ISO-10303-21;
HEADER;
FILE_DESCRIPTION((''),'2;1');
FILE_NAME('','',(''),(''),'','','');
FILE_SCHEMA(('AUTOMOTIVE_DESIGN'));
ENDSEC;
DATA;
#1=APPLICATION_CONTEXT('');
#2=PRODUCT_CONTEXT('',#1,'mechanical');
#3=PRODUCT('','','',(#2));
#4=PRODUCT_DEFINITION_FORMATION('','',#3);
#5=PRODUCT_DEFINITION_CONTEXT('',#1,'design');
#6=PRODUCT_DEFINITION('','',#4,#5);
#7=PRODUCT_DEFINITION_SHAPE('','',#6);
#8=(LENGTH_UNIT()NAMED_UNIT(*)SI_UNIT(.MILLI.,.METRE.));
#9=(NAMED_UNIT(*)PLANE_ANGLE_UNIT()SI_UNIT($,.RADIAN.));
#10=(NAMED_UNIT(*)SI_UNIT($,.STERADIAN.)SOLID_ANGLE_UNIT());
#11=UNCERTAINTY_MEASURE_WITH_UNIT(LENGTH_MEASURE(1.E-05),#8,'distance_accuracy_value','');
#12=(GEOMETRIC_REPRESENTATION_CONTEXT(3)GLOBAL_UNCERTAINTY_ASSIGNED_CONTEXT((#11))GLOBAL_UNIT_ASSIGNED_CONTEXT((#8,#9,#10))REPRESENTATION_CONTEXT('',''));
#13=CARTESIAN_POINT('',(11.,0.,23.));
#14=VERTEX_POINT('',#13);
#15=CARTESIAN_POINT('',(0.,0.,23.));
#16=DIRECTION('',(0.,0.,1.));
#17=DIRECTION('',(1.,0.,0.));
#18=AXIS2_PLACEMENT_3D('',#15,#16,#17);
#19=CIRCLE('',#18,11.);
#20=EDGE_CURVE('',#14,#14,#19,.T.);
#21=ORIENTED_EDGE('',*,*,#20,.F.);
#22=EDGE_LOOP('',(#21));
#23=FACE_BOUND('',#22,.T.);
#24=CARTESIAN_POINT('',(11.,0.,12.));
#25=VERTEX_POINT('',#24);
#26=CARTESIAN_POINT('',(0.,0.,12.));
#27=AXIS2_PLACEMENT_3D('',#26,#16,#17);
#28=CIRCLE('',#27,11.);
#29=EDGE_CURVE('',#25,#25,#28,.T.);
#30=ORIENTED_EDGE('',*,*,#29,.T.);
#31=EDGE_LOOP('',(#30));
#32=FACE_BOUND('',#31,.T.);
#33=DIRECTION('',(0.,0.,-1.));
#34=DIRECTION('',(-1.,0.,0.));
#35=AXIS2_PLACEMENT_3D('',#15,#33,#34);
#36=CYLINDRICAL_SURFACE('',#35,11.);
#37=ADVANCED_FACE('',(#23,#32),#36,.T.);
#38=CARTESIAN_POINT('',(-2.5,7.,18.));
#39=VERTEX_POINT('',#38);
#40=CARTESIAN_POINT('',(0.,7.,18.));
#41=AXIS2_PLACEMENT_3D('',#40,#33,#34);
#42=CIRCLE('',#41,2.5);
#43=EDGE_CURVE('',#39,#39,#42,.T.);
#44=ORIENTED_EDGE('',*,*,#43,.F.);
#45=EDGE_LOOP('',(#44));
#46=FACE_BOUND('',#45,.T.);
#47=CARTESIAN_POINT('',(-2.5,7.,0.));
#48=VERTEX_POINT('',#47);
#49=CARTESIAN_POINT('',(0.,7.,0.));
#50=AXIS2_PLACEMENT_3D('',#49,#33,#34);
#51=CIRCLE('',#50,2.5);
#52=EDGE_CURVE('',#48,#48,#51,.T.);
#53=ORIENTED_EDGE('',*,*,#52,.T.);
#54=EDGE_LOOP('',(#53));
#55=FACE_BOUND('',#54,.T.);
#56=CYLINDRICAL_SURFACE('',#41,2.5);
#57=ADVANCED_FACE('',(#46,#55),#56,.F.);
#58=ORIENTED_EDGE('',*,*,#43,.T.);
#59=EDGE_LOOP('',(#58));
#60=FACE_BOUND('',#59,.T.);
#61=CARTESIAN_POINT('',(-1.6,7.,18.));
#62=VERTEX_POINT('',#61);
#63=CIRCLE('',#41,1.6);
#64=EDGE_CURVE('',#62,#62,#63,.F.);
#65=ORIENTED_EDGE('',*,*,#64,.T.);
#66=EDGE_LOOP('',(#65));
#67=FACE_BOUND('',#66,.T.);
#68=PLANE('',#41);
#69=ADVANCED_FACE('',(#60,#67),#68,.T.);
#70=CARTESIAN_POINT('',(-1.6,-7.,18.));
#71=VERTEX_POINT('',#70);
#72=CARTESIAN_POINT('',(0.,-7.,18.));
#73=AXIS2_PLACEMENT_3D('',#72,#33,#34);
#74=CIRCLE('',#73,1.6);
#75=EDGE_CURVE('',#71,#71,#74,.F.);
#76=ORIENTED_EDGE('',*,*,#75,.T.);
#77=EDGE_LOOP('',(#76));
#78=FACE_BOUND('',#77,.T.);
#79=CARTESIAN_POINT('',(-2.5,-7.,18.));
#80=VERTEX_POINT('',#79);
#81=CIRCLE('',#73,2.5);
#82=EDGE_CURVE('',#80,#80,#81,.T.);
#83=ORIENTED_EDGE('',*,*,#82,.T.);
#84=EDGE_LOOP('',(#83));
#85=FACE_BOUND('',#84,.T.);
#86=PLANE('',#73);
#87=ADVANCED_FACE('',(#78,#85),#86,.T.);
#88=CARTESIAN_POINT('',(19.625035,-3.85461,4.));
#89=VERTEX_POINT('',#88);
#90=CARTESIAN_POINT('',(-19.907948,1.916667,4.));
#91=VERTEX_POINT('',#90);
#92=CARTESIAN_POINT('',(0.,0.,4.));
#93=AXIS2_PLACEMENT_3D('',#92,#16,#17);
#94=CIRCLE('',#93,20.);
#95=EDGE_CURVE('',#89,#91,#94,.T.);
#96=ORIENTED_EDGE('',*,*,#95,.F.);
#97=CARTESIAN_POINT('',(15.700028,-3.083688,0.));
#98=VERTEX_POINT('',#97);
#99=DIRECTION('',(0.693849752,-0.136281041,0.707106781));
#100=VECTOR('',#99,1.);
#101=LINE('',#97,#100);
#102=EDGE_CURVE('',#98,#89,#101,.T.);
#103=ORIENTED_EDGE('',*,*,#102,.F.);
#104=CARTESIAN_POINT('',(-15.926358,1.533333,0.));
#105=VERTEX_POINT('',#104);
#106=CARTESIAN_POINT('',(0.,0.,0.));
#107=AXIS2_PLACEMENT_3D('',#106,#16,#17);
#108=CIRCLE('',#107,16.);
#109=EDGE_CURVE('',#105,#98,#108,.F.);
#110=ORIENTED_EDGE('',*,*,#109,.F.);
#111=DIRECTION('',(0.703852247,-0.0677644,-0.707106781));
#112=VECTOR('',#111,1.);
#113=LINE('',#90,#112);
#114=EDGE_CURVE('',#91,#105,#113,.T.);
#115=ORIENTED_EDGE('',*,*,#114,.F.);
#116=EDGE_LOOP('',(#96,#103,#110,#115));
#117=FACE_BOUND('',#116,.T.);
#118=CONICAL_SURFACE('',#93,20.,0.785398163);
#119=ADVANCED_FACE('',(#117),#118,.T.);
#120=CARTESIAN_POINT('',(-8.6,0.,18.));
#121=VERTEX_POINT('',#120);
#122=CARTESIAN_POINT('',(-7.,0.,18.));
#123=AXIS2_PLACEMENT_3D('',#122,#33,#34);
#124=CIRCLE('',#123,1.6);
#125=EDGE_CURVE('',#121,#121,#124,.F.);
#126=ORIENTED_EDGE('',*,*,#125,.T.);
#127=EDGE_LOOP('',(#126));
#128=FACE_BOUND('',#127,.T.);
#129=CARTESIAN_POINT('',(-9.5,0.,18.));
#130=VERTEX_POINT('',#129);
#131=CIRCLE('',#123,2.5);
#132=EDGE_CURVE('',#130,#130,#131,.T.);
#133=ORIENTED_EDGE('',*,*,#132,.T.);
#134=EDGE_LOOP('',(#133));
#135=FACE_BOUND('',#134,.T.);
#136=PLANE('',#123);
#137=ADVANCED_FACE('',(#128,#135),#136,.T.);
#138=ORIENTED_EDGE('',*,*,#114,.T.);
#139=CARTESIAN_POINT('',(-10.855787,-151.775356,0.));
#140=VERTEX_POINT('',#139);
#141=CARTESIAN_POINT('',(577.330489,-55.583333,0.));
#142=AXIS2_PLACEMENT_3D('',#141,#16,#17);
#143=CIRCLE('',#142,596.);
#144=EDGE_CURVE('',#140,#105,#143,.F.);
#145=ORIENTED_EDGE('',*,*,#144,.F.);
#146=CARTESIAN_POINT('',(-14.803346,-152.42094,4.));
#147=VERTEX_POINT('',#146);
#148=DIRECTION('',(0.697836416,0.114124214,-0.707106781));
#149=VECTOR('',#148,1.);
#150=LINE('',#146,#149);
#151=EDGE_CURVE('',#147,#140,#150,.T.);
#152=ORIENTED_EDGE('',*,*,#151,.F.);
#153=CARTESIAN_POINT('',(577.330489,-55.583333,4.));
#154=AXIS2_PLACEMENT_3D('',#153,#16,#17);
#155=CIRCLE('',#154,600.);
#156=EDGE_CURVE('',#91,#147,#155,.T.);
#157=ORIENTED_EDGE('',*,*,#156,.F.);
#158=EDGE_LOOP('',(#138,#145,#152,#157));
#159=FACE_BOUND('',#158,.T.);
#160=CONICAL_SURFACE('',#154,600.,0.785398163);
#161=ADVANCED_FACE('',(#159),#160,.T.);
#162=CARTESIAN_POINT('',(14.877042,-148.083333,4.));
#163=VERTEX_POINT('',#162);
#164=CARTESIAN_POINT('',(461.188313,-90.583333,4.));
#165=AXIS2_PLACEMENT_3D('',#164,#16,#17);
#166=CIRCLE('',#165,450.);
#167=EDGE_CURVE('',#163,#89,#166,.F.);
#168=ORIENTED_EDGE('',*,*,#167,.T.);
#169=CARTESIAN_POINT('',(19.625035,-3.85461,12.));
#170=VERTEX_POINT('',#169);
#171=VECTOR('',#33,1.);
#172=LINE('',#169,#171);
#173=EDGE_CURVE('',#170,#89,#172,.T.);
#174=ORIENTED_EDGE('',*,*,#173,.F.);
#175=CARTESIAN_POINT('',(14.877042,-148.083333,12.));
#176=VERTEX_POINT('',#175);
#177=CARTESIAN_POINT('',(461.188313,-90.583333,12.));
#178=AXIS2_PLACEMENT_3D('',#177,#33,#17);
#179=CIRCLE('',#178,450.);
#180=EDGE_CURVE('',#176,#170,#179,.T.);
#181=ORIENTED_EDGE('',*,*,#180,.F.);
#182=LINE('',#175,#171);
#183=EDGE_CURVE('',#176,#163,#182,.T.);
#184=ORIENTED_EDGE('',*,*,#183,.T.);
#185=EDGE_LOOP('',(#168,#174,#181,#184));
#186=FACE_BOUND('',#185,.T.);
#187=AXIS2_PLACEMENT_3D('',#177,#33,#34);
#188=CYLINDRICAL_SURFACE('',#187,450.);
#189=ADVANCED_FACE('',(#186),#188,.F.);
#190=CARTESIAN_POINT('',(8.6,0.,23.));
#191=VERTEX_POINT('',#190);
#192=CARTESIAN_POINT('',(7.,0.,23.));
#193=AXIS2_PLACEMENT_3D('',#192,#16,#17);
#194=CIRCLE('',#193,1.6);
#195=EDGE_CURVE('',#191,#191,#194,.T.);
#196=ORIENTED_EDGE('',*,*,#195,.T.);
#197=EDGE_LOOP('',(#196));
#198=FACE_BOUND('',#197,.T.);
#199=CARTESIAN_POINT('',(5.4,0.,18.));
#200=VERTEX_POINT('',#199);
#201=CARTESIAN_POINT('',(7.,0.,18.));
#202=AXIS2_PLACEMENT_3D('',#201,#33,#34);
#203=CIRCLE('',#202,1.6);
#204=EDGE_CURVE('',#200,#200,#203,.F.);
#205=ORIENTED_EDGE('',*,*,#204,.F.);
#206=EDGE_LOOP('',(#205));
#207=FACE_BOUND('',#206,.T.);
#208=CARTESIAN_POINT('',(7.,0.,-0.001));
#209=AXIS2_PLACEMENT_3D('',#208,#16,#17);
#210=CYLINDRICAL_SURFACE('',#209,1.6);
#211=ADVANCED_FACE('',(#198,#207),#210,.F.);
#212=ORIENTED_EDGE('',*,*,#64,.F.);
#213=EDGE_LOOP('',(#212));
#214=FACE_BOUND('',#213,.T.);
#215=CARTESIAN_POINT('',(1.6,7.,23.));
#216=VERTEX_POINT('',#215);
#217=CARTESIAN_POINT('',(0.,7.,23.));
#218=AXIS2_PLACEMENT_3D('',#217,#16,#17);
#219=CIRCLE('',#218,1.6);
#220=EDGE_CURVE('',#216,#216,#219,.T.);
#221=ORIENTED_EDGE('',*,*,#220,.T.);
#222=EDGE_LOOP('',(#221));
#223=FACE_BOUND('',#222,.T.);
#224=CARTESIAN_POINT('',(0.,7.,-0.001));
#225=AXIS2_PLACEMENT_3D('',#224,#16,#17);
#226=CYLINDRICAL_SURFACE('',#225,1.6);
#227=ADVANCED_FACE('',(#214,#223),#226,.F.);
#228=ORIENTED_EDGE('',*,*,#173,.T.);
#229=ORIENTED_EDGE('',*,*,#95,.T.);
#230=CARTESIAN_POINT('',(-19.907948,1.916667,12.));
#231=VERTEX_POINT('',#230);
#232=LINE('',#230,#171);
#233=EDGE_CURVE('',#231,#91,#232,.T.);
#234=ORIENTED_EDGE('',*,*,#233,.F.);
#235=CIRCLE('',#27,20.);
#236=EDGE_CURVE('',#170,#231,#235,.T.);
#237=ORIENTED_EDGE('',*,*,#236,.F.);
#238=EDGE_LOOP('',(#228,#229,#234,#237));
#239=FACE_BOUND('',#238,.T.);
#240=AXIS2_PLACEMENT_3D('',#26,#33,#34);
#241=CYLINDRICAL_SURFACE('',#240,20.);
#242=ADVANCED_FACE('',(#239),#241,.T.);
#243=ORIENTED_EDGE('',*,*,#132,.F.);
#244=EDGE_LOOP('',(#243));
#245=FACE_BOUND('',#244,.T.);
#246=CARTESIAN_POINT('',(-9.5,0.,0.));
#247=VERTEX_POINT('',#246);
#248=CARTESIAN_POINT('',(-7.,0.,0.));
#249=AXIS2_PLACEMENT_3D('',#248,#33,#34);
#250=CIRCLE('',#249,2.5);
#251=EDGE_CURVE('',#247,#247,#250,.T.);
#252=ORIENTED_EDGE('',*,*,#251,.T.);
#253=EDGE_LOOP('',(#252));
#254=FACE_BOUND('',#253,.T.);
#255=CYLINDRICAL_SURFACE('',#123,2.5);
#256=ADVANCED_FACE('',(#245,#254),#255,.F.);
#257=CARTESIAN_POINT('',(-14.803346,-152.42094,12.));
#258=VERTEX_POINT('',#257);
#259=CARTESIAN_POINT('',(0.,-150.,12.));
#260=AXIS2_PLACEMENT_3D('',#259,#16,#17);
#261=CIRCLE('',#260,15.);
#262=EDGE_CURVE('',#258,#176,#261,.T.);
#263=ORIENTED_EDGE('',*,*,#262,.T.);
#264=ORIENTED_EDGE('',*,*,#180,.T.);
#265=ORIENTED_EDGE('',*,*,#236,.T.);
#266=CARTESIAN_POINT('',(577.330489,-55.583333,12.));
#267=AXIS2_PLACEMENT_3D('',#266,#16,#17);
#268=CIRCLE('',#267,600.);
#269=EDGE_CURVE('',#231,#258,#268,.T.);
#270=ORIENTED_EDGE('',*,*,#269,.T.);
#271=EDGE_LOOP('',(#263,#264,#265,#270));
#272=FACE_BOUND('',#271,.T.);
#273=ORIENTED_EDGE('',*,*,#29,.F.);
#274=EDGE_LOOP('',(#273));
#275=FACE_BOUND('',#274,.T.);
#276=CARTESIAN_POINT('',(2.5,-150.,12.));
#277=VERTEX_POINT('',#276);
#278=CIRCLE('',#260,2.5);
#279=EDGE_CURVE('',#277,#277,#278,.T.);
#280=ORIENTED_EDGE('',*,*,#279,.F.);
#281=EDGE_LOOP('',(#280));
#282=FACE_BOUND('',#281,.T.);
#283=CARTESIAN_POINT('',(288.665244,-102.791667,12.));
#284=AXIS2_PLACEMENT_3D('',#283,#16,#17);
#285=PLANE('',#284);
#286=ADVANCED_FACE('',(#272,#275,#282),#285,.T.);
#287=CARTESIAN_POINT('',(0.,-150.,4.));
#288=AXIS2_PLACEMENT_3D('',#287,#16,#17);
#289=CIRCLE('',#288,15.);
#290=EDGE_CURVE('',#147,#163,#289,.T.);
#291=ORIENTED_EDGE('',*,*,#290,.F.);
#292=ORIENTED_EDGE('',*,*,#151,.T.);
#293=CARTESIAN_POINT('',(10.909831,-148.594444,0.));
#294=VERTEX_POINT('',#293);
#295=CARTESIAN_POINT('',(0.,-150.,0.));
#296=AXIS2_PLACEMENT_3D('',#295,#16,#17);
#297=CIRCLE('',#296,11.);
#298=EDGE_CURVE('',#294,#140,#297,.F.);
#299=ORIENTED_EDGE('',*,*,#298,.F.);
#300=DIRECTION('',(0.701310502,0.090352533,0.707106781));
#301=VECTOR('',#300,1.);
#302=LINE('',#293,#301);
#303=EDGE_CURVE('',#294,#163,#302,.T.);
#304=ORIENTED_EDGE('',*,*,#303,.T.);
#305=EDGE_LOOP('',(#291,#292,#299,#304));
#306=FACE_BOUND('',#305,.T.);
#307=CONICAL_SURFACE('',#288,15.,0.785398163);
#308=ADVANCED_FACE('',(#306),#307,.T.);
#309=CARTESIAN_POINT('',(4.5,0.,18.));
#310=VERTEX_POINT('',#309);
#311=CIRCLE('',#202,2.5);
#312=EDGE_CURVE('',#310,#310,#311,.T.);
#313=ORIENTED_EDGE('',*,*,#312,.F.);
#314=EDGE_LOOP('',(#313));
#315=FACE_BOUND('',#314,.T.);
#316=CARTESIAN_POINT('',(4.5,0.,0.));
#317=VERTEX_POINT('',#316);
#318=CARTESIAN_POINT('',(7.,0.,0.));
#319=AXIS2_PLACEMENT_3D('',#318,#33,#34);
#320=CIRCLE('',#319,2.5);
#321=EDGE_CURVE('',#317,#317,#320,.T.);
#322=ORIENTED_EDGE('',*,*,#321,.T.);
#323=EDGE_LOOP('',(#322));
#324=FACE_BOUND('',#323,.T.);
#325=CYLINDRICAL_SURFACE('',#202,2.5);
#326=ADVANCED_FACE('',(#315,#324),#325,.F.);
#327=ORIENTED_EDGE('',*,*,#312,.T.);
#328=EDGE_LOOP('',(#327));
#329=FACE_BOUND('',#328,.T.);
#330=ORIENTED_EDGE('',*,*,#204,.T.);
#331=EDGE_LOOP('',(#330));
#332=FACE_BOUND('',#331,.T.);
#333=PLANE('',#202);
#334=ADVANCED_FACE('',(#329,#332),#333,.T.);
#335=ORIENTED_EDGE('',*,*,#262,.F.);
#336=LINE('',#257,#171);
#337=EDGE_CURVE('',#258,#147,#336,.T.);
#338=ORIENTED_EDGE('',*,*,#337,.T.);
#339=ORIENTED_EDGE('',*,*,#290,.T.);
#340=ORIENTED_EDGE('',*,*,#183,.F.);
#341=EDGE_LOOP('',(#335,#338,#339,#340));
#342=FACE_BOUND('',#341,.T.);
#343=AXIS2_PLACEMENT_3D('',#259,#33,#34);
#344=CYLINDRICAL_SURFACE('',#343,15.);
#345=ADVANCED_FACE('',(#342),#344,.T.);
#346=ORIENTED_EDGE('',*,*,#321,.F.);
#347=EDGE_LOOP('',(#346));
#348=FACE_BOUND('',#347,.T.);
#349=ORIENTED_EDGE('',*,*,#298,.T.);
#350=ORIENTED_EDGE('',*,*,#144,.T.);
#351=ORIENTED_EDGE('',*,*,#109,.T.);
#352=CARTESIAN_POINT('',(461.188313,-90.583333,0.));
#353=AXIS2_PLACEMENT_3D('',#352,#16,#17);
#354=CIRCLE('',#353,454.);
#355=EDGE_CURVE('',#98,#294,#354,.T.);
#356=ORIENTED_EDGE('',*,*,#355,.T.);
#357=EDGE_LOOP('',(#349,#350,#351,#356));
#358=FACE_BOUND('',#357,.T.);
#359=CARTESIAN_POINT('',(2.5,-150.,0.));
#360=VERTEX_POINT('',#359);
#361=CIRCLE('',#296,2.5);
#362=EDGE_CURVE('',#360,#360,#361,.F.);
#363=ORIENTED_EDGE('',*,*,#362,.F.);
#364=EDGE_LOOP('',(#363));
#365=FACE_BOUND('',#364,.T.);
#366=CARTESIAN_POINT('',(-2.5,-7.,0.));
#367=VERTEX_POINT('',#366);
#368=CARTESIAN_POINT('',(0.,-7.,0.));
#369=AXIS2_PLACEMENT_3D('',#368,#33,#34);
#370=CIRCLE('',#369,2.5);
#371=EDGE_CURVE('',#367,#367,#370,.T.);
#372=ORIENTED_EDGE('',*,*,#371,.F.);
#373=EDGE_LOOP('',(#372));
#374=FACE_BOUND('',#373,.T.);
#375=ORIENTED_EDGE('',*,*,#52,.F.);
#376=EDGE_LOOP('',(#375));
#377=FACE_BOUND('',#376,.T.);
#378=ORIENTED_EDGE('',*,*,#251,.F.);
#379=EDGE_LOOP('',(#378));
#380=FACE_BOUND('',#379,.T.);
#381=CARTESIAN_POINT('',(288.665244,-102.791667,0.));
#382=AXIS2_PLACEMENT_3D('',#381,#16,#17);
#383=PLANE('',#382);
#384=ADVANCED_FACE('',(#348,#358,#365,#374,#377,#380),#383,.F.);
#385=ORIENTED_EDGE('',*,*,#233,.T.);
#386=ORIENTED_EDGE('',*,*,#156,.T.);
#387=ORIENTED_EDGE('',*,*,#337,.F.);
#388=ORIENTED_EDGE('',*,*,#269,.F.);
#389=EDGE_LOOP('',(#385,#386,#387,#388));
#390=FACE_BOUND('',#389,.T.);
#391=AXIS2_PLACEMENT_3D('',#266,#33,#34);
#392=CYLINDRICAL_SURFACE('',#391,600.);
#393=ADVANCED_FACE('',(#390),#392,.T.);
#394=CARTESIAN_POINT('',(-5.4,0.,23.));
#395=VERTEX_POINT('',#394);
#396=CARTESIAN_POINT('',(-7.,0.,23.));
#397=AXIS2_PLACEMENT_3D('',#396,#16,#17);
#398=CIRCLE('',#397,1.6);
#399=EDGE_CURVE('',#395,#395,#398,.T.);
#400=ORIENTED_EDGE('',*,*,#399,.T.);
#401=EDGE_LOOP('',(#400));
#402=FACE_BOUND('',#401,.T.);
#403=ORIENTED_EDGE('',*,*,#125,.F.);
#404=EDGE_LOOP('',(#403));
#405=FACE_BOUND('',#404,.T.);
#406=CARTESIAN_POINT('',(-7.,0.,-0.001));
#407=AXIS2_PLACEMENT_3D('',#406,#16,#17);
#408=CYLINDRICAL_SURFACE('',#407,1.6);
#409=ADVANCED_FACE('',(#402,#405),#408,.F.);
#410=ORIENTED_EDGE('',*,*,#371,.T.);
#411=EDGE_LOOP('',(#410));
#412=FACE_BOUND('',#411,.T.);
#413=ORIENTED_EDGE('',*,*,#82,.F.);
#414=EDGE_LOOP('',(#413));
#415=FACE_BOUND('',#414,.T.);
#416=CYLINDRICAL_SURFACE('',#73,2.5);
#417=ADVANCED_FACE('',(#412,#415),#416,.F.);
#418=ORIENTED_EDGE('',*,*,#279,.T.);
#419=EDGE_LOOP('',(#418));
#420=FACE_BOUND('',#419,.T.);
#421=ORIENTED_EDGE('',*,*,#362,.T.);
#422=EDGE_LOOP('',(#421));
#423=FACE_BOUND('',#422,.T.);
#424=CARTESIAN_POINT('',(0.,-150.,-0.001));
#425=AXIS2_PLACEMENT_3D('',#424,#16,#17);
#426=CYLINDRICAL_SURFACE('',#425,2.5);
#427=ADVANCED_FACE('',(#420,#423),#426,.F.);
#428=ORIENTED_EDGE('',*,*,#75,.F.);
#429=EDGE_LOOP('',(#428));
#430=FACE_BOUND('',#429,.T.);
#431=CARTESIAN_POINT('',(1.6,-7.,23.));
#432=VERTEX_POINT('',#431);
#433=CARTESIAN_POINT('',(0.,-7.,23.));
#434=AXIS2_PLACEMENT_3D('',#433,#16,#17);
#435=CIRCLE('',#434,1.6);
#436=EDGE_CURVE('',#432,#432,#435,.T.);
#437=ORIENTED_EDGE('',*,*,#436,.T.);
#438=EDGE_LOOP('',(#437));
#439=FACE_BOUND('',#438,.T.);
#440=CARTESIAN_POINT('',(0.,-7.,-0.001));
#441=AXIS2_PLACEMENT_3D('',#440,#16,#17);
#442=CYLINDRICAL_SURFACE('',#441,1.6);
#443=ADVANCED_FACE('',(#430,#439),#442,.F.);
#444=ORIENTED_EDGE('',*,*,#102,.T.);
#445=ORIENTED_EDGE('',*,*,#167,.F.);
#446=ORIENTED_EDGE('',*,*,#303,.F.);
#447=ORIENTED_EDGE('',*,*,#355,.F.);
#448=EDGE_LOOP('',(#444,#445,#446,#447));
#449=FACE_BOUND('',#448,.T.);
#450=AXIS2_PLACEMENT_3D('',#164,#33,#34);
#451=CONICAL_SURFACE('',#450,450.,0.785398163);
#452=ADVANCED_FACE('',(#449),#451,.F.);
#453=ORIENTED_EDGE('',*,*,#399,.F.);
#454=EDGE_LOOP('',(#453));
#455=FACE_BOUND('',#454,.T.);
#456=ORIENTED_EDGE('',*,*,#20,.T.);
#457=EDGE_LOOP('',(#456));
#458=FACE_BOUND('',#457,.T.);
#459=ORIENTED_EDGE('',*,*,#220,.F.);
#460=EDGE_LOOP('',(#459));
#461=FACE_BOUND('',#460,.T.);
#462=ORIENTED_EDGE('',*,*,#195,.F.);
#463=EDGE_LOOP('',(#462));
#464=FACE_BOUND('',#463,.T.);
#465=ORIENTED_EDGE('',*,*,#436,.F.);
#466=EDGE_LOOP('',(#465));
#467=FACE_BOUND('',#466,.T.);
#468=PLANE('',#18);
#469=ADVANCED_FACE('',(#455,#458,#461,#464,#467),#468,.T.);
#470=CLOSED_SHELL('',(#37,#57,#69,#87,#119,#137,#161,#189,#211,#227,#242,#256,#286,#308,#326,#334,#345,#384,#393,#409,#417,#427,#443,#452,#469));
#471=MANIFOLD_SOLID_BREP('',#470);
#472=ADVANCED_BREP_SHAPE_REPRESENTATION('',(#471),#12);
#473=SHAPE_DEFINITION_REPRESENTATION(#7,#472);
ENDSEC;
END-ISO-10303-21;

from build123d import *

# Parameters (mm, degrees)
BOSS_EXTRUDE1_DEPTH = 12
CHAMFER1_SIZE       = 4
CUT_EXTRUDE1_REACH  = 168.982
SKETCH2_R           = 1.6
CUT_EXTRUDE2_REACH  = 168.982
SKETCH3_R           = 2.5
BOSS_EXTRUDE2_START = 11
SKETCH4_R           = 11
SKETCH4_R_2         = 1.6
BOSS_EXTRUDE2_DEPTH = 11
SKETCH5_R           = 2.5
CUT_EXTRUDE3_DEPTH  = 18


with BuildPart() as part:
    # Sketch1 → Boss-Extrude1 (new body)
    with BuildSketch(Plane.XY):
        with BuildLine():
            ThreePointArc((-14.803345861, -152.420940171), (2.169116424, -164.842335865), (14.877042343, -148.083333333))
            ThreePointArc((14.877042343, -148.083333333), (11.431951297, -75.777407981), (19.625034581, -3.854609929))
            ThreePointArc((19.625034581, -3.854609929), (2.889103385, 19.790226922), (-19.907947882, 1.916666667))
            ThreePointArc((-19.907947882, 1.916666667), (-22.341608419, -75.417043737), (-14.803345861, -152.420940171))
        make_face()
    extrude(amount=BOSS_EXTRUDE1_DEPTH)

    # Chamfer1
    chamfer1_edges = [part.edges().sort_by_distance(p)[0] for p in [
        (2.889103385, 19.790226922, 0),
        (11.431951297, -75.777407981, 0),
        (2.169116424, -164.842335865, 0),
        (-22.341608419, -75.417043737, 0),
    ]]
    chamfer(chamfer1_edges, length=CHAMFER1_SIZE)

    # Sketch2 → Cut-Extrude1 (cut, up to next)
    with BuildSketch(Plane.XY.offset(12), mode=Mode.PRIVATE) as cut_extrude1_sk1:
        with Locations((0, 7)):
            Circle(SKETCH2_R)
    cut_extrude1_tool1 = extrude(cut_extrude1_sk1.sketch, amount=-CUT_EXTRUDE1_REACH, mode=Mode.PRIVATE) & part.part
    # Sketch2 → Cut-Extrude1 (cut, up to next)
    with BuildSketch(Plane.XY.offset(12), mode=Mode.PRIVATE) as cut_extrude1_sk2:
        with Locations((7, 0)):
            Circle(SKETCH2_R)
    cut_extrude1_tool2 = extrude(cut_extrude1_sk2.sketch, amount=-CUT_EXTRUDE1_REACH, mode=Mode.PRIVATE) & part.part
    # Sketch2 → Cut-Extrude1 (cut, up to next)
    with BuildSketch(Plane.XY.offset(12), mode=Mode.PRIVATE) as cut_extrude1_sk3:
        with Locations((0, -7)):
            Circle(SKETCH2_R)
    cut_extrude1_tool3 = extrude(cut_extrude1_sk3.sketch, amount=-CUT_EXTRUDE1_REACH, mode=Mode.PRIVATE) & part.part
    # Sketch2 → Cut-Extrude1 (cut, up to next)
    with BuildSketch(Plane.XY.offset(12), mode=Mode.PRIVATE) as cut_extrude1_sk4:
        with Locations((-7, 0)):
            Circle(SKETCH2_R)
    cut_extrude1_tool4 = extrude(cut_extrude1_sk4.sketch, amount=-CUT_EXTRUDE1_REACH, mode=Mode.PRIVATE) & part.part
    add(cut_extrude1_tool1.solids().sort_by_distance((0, 7, 12))[0], mode=Mode.SUBTRACT)
    add(cut_extrude1_tool2.solids().sort_by_distance((7, 0, 12))[0], mode=Mode.SUBTRACT)
    add(cut_extrude1_tool3.solids().sort_by_distance((0, -7, 12))[0], mode=Mode.SUBTRACT)
    add(cut_extrude1_tool4.solids().sort_by_distance((-7, 0, 12))[0], mode=Mode.SUBTRACT)

    # Sketch3 → Cut-Extrude2 (cut, up to next)
    with BuildSketch(Plane.XY.offset(12), mode=Mode.PRIVATE) as cut_extrude2_sk1:
        with Locations((0, -150)):
            Circle(SKETCH3_R)
    cut_extrude2_tool1 = extrude(cut_extrude2_sk1.sketch, amount=-CUT_EXTRUDE2_REACH, mode=Mode.PRIVATE) & part.part
    add(cut_extrude2_tool1.solids().sort_by_distance((0, -150, 12))[0], mode=Mode.SUBTRACT)

    # Sketch4 → Boss-Extrude2 (add)
    with BuildSketch(Plane.XY.offset(12).offset(BOSS_EXTRUDE2_START)):
        Circle(SKETCH4_R)
        with Locations((7, 0)):
            Circle(SKETCH4_R_2, mode=Mode.SUBTRACT)
        with Locations((0, -7)):
            Circle(SKETCH4_R_2, mode=Mode.SUBTRACT)
        with Locations((-7, 0)):
            Circle(SKETCH4_R_2, mode=Mode.SUBTRACT)
        with Locations((0, 7)):
            Circle(SKETCH4_R_2, mode=Mode.SUBTRACT)
    extrude(amount=-BOSS_EXTRUDE2_DEPTH)

    # Sketch5 → Cut-Extrude3 (cut)
    with BuildSketch(Plane(origin=(0, 0, 0), x_dir=(-1, 0, 0), z_dir=(0, 0, -1))):
        with Locations((0, 7)):
            Circle(SKETCH5_R)
        with Locations((7, 0)):
            Circle(SKETCH5_R)
        with Locations((0, -7)):
            Circle(SKETCH5_R)
        with Locations((-7, 0)):
            Circle(SKETCH5_R)
    extrude(amount=-CUT_EXTRUDE3_DEPTH, mode=Mode.SUBTRACT)


solid = part.part
